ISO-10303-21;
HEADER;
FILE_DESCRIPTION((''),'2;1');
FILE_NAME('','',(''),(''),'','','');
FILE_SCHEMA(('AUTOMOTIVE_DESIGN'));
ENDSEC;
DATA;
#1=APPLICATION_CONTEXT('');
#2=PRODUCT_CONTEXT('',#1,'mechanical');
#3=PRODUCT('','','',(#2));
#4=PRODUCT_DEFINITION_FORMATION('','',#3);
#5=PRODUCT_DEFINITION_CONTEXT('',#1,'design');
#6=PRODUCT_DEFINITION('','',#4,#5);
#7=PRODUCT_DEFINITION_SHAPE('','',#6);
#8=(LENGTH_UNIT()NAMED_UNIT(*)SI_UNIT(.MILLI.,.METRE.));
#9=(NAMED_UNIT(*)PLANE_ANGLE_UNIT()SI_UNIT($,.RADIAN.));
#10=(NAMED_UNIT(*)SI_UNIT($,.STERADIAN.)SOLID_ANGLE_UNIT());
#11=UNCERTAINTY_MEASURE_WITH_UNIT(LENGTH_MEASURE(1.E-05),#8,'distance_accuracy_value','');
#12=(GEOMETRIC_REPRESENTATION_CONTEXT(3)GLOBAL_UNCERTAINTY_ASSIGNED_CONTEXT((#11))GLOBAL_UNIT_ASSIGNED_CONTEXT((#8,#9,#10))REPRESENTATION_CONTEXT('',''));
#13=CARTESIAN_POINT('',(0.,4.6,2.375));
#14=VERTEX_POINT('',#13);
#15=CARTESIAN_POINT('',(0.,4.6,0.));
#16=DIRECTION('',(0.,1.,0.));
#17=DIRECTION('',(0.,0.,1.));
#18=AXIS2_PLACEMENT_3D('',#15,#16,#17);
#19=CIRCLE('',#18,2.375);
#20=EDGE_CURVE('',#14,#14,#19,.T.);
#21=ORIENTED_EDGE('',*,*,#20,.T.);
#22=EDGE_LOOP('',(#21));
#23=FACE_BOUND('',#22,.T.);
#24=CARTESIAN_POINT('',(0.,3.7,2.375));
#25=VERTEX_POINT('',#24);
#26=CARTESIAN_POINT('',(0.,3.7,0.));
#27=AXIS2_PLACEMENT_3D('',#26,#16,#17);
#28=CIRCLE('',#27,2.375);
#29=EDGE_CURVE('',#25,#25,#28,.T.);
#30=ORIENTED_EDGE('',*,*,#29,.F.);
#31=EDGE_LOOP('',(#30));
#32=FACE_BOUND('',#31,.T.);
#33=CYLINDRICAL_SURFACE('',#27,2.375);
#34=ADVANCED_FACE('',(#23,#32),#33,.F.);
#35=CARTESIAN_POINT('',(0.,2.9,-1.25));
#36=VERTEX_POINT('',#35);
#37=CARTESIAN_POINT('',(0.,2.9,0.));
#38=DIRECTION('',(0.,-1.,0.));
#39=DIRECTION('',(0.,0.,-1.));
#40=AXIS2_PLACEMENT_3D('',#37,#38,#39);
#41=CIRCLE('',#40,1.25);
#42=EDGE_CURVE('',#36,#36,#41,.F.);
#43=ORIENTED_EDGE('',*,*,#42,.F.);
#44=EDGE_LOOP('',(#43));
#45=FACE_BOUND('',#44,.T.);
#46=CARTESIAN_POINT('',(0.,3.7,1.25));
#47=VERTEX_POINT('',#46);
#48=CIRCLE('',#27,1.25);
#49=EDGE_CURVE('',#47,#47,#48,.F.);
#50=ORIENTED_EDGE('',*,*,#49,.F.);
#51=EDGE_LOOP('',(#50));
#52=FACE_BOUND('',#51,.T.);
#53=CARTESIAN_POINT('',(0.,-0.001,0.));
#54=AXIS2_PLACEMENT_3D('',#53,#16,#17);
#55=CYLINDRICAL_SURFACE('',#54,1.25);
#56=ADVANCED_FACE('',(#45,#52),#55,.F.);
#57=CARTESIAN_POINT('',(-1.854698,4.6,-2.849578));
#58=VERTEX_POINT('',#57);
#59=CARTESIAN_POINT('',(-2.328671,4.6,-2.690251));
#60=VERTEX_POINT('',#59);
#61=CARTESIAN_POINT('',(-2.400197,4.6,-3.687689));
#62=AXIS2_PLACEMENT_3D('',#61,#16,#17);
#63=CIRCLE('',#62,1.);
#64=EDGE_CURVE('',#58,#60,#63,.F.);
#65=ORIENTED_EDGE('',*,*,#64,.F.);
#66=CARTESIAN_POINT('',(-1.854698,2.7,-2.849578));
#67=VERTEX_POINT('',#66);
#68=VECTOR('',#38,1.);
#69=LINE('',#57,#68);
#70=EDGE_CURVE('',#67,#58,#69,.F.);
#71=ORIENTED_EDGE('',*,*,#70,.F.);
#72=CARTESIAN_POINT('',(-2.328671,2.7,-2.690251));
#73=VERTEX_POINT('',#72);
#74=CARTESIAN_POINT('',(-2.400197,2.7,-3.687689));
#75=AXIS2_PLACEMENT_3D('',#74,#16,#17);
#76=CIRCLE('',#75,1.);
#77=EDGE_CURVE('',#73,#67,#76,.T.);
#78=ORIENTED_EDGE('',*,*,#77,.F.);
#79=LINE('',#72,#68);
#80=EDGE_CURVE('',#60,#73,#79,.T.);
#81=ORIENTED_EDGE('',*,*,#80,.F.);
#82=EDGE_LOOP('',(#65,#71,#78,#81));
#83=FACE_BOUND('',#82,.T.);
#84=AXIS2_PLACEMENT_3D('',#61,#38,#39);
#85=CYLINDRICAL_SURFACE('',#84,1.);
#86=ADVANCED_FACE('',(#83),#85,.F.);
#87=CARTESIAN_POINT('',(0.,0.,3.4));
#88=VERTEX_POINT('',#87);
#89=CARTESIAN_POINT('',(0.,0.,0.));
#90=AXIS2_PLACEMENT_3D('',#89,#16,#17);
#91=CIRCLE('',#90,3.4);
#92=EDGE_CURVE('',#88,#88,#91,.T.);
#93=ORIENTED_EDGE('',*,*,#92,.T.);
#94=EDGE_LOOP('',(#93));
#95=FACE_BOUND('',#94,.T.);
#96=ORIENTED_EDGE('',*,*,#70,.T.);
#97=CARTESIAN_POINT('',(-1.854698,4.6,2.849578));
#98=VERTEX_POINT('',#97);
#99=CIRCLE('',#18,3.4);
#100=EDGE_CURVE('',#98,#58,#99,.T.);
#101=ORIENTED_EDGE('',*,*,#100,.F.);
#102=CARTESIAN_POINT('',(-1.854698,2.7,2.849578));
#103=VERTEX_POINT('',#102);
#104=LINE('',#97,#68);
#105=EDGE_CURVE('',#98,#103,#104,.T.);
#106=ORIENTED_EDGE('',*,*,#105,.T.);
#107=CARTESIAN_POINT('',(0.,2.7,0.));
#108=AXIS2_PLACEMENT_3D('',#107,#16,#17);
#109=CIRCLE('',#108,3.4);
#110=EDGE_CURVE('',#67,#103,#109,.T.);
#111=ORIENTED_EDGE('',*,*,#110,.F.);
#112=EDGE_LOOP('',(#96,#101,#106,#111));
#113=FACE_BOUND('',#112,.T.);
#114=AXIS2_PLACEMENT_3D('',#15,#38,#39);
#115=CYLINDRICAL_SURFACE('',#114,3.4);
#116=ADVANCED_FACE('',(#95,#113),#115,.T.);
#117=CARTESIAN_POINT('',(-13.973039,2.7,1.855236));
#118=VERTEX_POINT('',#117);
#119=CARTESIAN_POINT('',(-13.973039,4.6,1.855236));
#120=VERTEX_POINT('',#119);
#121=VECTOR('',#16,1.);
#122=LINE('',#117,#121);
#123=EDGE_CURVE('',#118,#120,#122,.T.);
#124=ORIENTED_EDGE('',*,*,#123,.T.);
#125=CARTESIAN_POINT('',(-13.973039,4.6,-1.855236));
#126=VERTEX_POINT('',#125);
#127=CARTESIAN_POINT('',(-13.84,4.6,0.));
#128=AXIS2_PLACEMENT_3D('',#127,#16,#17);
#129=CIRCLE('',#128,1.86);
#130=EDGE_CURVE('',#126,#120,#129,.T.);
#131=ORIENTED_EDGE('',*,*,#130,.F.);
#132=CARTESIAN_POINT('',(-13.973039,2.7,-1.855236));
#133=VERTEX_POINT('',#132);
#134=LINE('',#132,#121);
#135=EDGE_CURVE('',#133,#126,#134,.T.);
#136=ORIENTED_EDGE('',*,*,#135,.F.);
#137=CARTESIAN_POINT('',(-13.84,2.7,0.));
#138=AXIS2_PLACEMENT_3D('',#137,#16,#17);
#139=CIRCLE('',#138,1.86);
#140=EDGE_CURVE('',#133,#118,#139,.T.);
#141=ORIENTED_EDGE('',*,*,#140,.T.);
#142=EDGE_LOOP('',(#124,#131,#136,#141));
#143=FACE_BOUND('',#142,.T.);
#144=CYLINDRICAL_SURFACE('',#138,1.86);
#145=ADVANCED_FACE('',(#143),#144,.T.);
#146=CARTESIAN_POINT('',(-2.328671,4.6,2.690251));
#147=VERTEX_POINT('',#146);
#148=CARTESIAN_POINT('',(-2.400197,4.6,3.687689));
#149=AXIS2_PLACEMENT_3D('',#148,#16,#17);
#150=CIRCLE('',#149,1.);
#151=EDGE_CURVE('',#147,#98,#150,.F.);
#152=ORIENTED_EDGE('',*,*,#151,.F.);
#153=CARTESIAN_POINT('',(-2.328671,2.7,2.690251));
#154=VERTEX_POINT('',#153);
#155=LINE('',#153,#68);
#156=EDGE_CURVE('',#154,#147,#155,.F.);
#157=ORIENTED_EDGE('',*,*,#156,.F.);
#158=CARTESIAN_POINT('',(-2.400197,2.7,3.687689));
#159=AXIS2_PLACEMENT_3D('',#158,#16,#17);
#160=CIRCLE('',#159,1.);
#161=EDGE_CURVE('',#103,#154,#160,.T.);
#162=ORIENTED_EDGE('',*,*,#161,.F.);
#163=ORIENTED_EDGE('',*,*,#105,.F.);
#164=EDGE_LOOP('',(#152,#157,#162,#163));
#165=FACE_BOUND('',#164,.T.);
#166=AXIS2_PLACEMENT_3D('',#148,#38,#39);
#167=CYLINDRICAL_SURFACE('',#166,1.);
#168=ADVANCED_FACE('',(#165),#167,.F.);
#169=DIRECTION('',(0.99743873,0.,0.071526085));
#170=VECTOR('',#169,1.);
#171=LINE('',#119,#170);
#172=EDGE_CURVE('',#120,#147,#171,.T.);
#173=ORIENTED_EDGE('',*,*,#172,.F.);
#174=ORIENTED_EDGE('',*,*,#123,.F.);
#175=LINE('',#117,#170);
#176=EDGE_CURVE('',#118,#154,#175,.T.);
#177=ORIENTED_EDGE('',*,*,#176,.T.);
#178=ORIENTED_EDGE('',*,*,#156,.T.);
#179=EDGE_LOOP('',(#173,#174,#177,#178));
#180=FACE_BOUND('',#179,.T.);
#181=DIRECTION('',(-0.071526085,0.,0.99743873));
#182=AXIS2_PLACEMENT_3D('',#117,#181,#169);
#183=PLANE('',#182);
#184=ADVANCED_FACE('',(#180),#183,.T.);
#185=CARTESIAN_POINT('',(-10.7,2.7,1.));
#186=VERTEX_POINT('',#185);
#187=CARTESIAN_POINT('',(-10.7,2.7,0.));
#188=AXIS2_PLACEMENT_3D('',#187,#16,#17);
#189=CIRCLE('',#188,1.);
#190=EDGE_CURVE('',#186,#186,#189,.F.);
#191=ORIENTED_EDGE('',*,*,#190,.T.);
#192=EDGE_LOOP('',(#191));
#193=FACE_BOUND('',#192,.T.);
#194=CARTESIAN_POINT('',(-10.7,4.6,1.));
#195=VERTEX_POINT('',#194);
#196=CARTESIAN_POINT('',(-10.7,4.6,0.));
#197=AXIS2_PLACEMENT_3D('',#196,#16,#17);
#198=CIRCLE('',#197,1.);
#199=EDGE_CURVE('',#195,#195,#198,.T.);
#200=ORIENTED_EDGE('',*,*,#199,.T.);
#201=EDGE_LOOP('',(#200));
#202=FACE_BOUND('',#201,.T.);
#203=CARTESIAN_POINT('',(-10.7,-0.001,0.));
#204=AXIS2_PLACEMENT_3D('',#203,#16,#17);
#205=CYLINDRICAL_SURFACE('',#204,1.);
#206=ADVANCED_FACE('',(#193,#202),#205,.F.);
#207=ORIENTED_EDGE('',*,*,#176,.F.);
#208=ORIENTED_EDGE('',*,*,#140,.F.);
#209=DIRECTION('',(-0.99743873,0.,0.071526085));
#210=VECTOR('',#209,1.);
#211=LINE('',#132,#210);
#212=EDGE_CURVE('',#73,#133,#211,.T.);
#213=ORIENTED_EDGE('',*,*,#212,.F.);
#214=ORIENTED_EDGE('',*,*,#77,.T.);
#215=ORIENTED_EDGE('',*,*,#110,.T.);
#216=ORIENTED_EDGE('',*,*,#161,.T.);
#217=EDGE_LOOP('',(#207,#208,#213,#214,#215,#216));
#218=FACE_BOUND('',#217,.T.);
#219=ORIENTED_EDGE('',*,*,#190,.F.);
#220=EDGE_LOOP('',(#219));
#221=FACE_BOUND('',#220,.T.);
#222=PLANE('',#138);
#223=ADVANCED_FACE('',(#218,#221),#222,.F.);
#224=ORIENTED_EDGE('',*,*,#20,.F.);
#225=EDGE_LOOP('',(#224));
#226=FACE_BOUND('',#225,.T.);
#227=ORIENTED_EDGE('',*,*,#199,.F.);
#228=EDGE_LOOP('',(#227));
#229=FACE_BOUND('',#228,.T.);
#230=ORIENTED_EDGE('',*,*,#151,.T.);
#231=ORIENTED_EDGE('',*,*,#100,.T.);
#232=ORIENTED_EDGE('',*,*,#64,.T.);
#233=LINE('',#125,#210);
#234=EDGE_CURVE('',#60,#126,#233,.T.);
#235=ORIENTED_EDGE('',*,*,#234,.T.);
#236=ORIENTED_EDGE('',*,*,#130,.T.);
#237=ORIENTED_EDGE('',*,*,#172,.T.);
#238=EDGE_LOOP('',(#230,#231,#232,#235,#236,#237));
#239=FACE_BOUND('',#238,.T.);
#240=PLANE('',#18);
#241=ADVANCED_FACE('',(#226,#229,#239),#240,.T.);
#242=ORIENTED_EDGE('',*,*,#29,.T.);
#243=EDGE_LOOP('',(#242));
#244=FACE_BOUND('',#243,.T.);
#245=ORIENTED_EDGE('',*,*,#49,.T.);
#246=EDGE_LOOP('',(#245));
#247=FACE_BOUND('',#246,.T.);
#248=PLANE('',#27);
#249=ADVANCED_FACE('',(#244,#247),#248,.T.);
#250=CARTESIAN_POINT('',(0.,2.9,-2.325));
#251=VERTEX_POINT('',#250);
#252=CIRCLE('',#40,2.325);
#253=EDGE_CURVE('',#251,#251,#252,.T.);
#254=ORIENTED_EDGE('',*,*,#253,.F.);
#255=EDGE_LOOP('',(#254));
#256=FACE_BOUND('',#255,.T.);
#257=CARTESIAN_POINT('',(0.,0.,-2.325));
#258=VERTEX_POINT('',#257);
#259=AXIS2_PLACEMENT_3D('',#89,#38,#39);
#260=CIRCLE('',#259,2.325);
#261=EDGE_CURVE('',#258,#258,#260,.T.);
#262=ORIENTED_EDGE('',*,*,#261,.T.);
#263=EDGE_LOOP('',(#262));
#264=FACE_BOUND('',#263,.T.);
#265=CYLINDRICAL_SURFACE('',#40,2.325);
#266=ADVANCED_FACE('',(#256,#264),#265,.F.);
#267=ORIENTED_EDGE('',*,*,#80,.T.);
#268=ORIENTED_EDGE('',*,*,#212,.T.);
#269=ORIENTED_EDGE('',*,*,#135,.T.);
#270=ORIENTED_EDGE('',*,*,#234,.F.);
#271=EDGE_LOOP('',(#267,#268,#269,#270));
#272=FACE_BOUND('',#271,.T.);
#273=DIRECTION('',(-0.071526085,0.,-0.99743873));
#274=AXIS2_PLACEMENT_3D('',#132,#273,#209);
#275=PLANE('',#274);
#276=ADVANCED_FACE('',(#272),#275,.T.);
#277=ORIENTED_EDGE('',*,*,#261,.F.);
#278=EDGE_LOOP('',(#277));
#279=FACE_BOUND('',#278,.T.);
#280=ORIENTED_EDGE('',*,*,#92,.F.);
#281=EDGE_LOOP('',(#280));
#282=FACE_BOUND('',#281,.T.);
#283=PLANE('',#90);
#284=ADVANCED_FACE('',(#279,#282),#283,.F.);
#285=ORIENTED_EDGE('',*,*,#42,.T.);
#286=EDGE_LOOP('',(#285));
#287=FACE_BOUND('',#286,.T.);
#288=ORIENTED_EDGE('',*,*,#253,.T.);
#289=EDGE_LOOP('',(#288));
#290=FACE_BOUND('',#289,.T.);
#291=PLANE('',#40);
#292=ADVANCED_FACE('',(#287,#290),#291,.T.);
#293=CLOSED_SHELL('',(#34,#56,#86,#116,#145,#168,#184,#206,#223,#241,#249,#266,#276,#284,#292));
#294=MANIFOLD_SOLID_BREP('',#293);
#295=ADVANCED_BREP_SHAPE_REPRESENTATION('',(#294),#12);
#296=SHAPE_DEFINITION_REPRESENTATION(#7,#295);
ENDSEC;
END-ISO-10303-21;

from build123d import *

# Parameters (mm, degrees)
SKETCH1_R           = 3.4
BOSS_EXTRUDE1_DEPTH = 4.6
BOSS_EXTRUDE2_START = -1.9
BOSS_EXTRUDE2_DEPTH = 1.9
SKETCH4_R           = 2.325
CUT_EXTRUDE1_DEPTH  = 2.9
FILLET1_R           = 1
CUT_EXTRUDE2_REACH  = 18.71
SKETCH5_R           = 1.25
SKETCH6_R           = 2.375
CUT_EXTRUDE3_DEPTH  = 0.9
CUT_EXTRUDE4_REACH  = 18.71
SKETCH7_R           = 1


with BuildPart() as part:
    # Sketch1 → Boss-Extrude1 (new body)
    with BuildSketch(Plane(origin=(0, 0, 0), x_dir=(1, 0, 0), z_dir=(0, 1, 0))):
        with Locations(Location((0, 0, 0), (0, 0, 270))):
            Circle(SKETCH1_R)
    extrude(amount=BOSS_EXTRUDE1_DEPTH)

    # Sketch3 → Boss-Extrude2 (add)
    with BuildSketch(Plane(origin=(0, 4.6, 0), x_dir=(1, 0, 0), z_dir=(0, 1, 0)).offset(BOSS_EXTRUDE2_START)):
        with BuildLine():
            Line((-13.973038518, -1.855236037), (-2.053265692, -2.71))
            ThreePointArc((-2.053265692, -2.71), (3.4, 0), (-2.053265692, 2.71))
            Line((-2.053265692, 2.71), (-13.973038518, 1.855236037))
            ThreePointArc((-13.973038518, 1.855236037), (-15.7, 0), (-13.973038518, -1.855236037))
        make_face()
    extrude(amount=BOSS_EXTRUDE2_DEPTH)

    # Sketch4 → Cut-Extrude1 (cut)
    with BuildSketch(Plane.XZ):
        with Locations(Location((0, 0, 0), (0, 0, 270))):
            Circle(SKETCH4_R)
    extrude(amount=-CUT_EXTRUDE1_DEPTH, mode=Mode.SUBTRACT)

    # Fillet1
    fillet1_edges = [part.edges().sort_by_distance(p)[0] for p in [
        (-2.053265692, 3.65, -2.71),
        (-2.053265692, 3.65, 2.71),
    ]]
    fillet(fillet1_edges, radius=FILLET1_R)

    # Sketch5 → Cut-Extrude2 (cut, up to next)
    with BuildSketch(Plane(origin=(0, 4.6, 0), x_dir=(1, 0, 0), z_dir=(0, 1, 0)), mode=Mode.PRIVATE) as cut_extrude2_sk1:
        with Locations(Location((0, 0, 0), (0, 0, 270))):
            Circle(SKETCH5_R)
    cut_extrude2_tool1 = extrude(cut_extrude2_sk1.sketch, amount=-CUT_EXTRUDE2_REACH, mode=Mode.PRIVATE) & part.part
    add(cut_extrude2_tool1.solids().sort_by_distance((0, 4.6, 0))[0], mode=Mode.SUBTRACT)

    # Sketch6 → Cut-Extrude3 (cut)
    with BuildSketch(Plane(origin=(0, 4.6, 0), x_dir=(1, 0, 0), z_dir=(0, 1, 0))):
        with Locations(Location((0, 0, 0), (0, 0, 270))):
            Circle(SKETCH6_R)
    extrude(amount=-CUT_EXTRUDE3_DEPTH, mode=Mode.SUBTRACT)

    # Sketch7 → Cut-Extrude4 (cut, up to next)
    with BuildSketch(Plane(origin=(0, 4.6, 0), x_dir=(1, 0, 0), z_dir=(0, 1, 0)), mode=Mode.PRIVATE) as cut_extrude4_sk1:
        with Locations(Location((-10.7, 0, 0), (0, 0, 270))):
            Circle(SKETCH7_R)
    cut_extrude4_tool1 = extrude(cut_extrude4_sk1.sketch, amount=-CUT_EXTRUDE4_REACH, mode=Mode.PRIVATE) & part.part
    add(cut_extrude4_tool1.solids().sort_by_distance((-10.7, 4.6, 0))[0], mode=Mode.SUBTRACT)


solid = part.part
